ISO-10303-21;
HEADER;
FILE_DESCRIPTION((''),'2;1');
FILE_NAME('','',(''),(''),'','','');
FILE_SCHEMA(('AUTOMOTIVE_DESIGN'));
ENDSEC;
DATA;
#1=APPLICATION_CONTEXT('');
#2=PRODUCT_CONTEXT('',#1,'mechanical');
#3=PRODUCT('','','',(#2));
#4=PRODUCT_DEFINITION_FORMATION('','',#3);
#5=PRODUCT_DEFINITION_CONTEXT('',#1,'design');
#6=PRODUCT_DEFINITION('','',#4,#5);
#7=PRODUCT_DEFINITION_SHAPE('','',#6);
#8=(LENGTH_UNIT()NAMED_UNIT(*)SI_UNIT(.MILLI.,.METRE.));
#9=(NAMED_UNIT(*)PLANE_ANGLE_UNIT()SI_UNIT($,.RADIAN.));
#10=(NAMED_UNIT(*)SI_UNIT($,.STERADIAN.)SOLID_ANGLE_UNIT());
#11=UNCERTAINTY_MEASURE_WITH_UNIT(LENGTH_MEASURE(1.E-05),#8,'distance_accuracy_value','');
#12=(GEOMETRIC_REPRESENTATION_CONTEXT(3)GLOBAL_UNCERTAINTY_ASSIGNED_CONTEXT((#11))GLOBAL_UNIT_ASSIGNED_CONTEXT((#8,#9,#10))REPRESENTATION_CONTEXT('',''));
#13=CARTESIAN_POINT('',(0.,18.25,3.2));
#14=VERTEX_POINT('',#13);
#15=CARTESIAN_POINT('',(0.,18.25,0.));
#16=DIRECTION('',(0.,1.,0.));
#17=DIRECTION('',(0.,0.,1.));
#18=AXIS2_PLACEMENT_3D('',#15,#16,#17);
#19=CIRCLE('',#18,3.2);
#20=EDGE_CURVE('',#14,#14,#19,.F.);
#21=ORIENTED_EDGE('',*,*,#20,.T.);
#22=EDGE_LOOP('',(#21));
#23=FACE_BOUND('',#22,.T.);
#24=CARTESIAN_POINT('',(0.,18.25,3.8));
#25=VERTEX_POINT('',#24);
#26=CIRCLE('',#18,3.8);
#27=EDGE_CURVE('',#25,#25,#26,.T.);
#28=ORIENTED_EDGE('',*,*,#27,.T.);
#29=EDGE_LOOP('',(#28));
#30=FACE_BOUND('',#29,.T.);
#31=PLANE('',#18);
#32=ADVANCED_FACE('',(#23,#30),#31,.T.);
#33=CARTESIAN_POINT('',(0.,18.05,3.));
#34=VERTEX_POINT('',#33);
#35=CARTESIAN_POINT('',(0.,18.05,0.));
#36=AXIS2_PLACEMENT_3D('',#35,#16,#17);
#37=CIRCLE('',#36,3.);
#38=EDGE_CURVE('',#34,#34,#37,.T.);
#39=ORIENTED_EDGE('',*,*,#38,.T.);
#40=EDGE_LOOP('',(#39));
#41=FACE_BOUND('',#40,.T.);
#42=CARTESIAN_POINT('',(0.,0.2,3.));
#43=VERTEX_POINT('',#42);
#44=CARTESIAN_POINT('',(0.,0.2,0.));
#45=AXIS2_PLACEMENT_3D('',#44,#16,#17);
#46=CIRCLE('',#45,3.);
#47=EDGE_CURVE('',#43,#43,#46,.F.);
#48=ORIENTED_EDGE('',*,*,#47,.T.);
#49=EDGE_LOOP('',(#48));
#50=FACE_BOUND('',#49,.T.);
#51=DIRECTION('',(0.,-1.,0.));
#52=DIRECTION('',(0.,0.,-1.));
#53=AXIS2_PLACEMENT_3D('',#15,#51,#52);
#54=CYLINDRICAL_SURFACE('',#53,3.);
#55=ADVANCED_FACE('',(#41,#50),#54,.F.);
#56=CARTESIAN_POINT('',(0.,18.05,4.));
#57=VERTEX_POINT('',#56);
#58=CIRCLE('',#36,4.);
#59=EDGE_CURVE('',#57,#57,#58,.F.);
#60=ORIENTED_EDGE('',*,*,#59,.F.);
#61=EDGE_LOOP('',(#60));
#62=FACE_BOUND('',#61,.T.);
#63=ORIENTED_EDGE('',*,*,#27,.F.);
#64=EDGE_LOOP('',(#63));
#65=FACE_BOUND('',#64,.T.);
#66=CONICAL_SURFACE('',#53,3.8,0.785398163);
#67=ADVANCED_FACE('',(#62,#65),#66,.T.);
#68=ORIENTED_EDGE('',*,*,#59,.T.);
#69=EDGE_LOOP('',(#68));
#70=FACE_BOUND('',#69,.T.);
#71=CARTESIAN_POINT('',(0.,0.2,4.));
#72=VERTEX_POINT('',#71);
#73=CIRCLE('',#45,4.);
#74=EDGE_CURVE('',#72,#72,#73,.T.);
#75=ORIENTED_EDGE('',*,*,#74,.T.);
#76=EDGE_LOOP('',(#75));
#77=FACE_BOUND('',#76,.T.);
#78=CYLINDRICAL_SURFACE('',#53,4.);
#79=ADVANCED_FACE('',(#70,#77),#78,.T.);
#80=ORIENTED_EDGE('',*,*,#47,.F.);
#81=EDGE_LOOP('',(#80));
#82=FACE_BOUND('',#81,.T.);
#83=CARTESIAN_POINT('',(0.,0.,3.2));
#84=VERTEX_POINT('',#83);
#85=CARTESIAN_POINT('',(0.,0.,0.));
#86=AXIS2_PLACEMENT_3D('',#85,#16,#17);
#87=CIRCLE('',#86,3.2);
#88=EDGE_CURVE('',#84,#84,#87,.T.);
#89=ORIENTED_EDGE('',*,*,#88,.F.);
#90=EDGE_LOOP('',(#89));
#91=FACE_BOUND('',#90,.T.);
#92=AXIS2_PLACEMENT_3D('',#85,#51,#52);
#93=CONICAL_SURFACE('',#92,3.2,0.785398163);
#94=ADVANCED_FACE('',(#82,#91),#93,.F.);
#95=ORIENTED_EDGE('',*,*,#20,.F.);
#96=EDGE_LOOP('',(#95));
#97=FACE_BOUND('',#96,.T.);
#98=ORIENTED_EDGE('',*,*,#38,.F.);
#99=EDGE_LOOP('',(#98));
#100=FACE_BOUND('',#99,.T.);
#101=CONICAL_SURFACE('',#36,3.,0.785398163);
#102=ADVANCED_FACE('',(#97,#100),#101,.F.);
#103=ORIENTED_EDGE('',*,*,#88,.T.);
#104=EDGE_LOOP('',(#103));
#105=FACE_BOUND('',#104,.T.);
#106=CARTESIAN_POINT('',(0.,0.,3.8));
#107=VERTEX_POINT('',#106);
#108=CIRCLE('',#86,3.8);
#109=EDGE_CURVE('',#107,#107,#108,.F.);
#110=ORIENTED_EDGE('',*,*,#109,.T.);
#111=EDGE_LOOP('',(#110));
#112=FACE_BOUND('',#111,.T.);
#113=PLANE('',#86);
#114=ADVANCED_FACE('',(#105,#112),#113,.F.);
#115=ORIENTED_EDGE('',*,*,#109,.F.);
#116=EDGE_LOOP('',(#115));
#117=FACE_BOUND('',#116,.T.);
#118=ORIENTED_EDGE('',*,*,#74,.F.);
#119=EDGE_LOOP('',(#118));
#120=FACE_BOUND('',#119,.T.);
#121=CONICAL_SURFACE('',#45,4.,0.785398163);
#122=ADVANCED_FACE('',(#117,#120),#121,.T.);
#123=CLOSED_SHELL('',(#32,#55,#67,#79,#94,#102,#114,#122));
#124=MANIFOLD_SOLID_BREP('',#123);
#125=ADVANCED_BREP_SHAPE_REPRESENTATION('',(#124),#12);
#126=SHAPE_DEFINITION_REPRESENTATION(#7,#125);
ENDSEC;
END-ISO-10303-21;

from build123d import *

# Parameters (mm, degrees)
SKIZZE1_R                       = 4
SKIZZE1_R_2                     = 3
AUFSATZ_LINEAR_AUSTRAGEN1_DEPTH = 18.25
FASE1_SIZE                      = 0.2


with BuildPart() as part:
    # Skizze1 → Aufsatz-Linear austragen1 (new body)
    with BuildSketch(Plane(origin=(0, 0, 0), x_dir=(1, 0, 0), z_dir=(0, 1, 0))):
        with Locations(Location((0, 0, 0), (0, 0, 270))):
            Circle(SKIZZE1_R)
        with Locations(Location((0, 0, 0), (0, 0, 270))):
            Circle(SKIZZE1_R_2, mode=Mode.SUBTRACT)
    extrude(amount=AUFSATZ_LINEAR_AUSTRAGEN1_DEPTH)

    # Fase1
    fase1_edges = [part.edges().sort_by_distance(p)[0] for p in [
        (0, 0, -4),
        (0, 18.25, -4),
        (0, 0, -3),
        (0, 18.25, -3),
    ]]
    chamfer(fase1_edges, length=FASE1_SIZE)


solid = part.part
